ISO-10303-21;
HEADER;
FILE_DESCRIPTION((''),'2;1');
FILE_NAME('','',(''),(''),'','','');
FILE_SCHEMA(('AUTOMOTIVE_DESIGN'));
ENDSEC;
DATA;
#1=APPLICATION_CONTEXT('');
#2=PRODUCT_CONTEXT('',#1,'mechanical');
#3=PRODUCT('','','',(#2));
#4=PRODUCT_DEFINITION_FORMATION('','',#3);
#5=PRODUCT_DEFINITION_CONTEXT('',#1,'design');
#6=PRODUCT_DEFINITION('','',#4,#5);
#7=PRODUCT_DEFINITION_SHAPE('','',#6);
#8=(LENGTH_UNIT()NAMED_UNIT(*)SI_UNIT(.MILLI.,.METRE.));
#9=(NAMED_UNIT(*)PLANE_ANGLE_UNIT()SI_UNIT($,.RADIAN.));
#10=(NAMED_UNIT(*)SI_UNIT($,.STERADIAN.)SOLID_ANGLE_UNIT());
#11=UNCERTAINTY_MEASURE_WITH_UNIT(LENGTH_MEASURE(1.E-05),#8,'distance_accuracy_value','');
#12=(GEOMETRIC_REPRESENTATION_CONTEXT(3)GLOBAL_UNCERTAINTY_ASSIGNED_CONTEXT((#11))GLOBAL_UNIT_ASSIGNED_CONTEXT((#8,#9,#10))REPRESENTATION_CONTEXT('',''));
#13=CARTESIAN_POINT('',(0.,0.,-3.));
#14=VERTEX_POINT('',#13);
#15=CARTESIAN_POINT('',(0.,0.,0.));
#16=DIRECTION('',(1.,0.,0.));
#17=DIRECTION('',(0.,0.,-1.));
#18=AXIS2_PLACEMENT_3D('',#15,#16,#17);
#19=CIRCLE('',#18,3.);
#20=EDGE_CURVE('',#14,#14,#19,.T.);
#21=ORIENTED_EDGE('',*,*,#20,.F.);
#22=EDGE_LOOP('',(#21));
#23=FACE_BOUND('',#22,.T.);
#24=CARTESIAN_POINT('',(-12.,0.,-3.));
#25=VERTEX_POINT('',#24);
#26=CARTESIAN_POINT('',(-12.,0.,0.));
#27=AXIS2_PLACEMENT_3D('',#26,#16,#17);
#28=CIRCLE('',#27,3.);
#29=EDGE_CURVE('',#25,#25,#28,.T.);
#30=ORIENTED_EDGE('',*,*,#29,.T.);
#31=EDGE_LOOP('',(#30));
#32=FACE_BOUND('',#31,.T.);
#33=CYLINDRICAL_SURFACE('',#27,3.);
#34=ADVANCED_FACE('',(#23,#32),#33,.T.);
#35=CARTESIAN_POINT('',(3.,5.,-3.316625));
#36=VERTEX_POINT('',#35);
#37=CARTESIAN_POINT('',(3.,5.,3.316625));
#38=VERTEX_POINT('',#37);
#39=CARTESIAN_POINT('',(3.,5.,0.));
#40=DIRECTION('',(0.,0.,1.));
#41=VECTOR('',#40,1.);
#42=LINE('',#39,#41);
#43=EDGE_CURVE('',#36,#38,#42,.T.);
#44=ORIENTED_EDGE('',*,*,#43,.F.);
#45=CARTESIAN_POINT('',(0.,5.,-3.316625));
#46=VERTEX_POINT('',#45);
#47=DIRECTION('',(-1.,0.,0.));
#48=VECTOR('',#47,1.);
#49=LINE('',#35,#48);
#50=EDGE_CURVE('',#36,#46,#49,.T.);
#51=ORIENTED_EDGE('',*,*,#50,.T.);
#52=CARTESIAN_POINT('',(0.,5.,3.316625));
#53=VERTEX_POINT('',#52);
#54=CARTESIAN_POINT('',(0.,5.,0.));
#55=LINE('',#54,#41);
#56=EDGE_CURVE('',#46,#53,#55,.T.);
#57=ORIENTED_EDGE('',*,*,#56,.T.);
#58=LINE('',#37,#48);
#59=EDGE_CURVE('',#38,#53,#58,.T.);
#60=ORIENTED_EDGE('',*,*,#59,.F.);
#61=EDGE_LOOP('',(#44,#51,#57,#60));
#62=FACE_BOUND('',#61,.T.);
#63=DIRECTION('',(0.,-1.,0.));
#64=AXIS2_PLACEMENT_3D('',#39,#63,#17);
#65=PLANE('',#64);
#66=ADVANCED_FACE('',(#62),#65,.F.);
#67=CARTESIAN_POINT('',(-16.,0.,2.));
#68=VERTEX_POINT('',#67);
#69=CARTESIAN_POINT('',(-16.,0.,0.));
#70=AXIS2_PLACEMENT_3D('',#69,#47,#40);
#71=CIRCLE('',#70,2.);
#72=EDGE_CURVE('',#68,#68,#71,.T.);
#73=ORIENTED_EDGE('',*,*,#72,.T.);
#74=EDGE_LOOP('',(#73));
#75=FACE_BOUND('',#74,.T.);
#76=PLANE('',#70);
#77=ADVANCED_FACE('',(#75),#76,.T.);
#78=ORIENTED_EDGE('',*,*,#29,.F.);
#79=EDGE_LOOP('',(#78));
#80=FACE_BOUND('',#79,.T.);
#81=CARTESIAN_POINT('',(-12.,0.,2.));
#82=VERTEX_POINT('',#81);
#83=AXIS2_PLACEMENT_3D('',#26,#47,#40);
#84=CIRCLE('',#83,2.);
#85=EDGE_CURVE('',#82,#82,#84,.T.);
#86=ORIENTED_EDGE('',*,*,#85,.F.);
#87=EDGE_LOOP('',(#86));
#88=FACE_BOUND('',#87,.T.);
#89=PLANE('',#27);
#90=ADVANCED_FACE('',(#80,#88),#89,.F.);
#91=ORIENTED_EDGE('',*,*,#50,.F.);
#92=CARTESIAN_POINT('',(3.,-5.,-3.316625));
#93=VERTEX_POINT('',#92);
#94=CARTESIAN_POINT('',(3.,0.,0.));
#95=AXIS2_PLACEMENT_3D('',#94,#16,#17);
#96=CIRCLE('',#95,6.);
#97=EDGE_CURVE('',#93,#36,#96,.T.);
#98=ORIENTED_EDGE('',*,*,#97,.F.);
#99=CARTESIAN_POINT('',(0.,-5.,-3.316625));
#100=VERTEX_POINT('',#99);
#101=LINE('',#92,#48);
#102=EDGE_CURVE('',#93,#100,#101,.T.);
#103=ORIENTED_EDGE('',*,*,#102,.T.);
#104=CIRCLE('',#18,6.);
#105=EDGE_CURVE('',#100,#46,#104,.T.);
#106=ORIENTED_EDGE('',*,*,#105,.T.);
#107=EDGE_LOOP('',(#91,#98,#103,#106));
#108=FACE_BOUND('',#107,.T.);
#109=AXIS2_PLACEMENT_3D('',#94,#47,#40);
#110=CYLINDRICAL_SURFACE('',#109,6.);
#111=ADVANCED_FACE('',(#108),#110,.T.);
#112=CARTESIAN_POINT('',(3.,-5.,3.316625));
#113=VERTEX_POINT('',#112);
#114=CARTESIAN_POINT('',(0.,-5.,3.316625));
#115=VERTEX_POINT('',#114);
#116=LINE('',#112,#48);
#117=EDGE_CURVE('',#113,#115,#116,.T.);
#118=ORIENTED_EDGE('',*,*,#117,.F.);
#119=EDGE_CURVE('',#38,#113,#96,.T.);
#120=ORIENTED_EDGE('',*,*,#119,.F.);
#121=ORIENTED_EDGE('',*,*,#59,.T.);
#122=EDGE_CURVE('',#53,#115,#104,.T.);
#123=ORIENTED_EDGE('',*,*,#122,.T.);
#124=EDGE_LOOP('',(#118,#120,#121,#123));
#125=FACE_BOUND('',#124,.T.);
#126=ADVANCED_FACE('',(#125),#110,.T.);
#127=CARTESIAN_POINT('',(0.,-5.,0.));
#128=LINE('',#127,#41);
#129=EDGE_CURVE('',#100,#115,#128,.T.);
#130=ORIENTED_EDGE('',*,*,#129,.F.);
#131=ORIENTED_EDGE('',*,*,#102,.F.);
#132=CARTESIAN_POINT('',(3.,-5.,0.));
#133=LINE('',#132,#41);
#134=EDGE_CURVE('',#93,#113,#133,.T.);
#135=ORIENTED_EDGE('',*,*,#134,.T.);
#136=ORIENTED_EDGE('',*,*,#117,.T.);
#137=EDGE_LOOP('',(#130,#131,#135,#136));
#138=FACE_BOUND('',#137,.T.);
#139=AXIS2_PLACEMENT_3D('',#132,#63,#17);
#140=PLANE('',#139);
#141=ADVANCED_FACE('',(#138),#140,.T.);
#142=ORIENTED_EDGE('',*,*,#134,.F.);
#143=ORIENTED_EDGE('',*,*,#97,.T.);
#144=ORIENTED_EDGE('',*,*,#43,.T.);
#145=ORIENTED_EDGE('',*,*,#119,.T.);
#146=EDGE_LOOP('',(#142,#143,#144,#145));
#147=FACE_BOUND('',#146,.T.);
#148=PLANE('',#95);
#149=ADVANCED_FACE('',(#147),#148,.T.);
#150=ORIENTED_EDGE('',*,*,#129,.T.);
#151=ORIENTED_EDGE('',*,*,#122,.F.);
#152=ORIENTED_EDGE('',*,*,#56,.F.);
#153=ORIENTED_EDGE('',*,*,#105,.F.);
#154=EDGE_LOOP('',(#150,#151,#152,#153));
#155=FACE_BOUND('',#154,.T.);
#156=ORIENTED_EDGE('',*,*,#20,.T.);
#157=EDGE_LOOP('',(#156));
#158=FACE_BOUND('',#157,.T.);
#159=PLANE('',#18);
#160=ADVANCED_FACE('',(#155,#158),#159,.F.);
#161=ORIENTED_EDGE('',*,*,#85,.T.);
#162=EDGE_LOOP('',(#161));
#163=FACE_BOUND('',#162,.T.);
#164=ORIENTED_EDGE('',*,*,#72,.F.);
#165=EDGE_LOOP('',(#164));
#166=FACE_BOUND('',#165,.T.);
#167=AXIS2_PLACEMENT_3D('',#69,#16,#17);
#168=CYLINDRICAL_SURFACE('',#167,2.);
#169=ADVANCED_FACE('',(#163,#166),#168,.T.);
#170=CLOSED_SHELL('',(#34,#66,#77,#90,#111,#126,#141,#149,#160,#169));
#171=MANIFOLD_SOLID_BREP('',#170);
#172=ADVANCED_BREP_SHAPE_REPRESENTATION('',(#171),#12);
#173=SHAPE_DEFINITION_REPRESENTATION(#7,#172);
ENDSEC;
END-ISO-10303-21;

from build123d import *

# Parameters (mm, degrees)
BOSS_EXTRUDE1_DEPTH = 3
SKETCH2_3_R         = 3
BOSS_EXTRUDE2_DEPTH = 12
SKETCH3_R           = 2
BOSS_EXTRUDE3_DEPTH = 4


with BuildPart() as part:
    # Sketch2 → Boss-Extrude1 (new body)
    with BuildSketch(Plane(origin=(0, 0, 0), x_dir=(0, 0, -1), z_dir=(1, 0, 0))):
        with BuildLine():
            ThreePointArc((3.31662479, -5), (6, 0), (3.31662479, 5))
            Line((3.31662479, 5), (-3.31662479, 5))
            ThreePointArc((-3.31662479, 5), (-6, 0), (-3.31662479, -5))
            Line((-3.31662479, -5), (3.31662479, -5))
        make_face()
    extrude(amount=BOSS_EXTRUDE1_DEPTH)

    # Sketch2<3> → Boss-Extrude2 (add)
    with BuildSketch(Plane(origin=(0, 0, 0), x_dir=(0, 0, -1), z_dir=(1, 0, 0))):
        Circle(SKETCH2_3_R)
    extrude(amount=-BOSS_EXTRUDE2_DEPTH)

    # Sketch3 → Boss-Extrude3 (add)
    with BuildSketch(Plane.ZY.offset(12)):
        Circle(SKETCH3_R)
    extrude(amount=BOSS_EXTRUDE3_DEPTH)


solid = part.part
